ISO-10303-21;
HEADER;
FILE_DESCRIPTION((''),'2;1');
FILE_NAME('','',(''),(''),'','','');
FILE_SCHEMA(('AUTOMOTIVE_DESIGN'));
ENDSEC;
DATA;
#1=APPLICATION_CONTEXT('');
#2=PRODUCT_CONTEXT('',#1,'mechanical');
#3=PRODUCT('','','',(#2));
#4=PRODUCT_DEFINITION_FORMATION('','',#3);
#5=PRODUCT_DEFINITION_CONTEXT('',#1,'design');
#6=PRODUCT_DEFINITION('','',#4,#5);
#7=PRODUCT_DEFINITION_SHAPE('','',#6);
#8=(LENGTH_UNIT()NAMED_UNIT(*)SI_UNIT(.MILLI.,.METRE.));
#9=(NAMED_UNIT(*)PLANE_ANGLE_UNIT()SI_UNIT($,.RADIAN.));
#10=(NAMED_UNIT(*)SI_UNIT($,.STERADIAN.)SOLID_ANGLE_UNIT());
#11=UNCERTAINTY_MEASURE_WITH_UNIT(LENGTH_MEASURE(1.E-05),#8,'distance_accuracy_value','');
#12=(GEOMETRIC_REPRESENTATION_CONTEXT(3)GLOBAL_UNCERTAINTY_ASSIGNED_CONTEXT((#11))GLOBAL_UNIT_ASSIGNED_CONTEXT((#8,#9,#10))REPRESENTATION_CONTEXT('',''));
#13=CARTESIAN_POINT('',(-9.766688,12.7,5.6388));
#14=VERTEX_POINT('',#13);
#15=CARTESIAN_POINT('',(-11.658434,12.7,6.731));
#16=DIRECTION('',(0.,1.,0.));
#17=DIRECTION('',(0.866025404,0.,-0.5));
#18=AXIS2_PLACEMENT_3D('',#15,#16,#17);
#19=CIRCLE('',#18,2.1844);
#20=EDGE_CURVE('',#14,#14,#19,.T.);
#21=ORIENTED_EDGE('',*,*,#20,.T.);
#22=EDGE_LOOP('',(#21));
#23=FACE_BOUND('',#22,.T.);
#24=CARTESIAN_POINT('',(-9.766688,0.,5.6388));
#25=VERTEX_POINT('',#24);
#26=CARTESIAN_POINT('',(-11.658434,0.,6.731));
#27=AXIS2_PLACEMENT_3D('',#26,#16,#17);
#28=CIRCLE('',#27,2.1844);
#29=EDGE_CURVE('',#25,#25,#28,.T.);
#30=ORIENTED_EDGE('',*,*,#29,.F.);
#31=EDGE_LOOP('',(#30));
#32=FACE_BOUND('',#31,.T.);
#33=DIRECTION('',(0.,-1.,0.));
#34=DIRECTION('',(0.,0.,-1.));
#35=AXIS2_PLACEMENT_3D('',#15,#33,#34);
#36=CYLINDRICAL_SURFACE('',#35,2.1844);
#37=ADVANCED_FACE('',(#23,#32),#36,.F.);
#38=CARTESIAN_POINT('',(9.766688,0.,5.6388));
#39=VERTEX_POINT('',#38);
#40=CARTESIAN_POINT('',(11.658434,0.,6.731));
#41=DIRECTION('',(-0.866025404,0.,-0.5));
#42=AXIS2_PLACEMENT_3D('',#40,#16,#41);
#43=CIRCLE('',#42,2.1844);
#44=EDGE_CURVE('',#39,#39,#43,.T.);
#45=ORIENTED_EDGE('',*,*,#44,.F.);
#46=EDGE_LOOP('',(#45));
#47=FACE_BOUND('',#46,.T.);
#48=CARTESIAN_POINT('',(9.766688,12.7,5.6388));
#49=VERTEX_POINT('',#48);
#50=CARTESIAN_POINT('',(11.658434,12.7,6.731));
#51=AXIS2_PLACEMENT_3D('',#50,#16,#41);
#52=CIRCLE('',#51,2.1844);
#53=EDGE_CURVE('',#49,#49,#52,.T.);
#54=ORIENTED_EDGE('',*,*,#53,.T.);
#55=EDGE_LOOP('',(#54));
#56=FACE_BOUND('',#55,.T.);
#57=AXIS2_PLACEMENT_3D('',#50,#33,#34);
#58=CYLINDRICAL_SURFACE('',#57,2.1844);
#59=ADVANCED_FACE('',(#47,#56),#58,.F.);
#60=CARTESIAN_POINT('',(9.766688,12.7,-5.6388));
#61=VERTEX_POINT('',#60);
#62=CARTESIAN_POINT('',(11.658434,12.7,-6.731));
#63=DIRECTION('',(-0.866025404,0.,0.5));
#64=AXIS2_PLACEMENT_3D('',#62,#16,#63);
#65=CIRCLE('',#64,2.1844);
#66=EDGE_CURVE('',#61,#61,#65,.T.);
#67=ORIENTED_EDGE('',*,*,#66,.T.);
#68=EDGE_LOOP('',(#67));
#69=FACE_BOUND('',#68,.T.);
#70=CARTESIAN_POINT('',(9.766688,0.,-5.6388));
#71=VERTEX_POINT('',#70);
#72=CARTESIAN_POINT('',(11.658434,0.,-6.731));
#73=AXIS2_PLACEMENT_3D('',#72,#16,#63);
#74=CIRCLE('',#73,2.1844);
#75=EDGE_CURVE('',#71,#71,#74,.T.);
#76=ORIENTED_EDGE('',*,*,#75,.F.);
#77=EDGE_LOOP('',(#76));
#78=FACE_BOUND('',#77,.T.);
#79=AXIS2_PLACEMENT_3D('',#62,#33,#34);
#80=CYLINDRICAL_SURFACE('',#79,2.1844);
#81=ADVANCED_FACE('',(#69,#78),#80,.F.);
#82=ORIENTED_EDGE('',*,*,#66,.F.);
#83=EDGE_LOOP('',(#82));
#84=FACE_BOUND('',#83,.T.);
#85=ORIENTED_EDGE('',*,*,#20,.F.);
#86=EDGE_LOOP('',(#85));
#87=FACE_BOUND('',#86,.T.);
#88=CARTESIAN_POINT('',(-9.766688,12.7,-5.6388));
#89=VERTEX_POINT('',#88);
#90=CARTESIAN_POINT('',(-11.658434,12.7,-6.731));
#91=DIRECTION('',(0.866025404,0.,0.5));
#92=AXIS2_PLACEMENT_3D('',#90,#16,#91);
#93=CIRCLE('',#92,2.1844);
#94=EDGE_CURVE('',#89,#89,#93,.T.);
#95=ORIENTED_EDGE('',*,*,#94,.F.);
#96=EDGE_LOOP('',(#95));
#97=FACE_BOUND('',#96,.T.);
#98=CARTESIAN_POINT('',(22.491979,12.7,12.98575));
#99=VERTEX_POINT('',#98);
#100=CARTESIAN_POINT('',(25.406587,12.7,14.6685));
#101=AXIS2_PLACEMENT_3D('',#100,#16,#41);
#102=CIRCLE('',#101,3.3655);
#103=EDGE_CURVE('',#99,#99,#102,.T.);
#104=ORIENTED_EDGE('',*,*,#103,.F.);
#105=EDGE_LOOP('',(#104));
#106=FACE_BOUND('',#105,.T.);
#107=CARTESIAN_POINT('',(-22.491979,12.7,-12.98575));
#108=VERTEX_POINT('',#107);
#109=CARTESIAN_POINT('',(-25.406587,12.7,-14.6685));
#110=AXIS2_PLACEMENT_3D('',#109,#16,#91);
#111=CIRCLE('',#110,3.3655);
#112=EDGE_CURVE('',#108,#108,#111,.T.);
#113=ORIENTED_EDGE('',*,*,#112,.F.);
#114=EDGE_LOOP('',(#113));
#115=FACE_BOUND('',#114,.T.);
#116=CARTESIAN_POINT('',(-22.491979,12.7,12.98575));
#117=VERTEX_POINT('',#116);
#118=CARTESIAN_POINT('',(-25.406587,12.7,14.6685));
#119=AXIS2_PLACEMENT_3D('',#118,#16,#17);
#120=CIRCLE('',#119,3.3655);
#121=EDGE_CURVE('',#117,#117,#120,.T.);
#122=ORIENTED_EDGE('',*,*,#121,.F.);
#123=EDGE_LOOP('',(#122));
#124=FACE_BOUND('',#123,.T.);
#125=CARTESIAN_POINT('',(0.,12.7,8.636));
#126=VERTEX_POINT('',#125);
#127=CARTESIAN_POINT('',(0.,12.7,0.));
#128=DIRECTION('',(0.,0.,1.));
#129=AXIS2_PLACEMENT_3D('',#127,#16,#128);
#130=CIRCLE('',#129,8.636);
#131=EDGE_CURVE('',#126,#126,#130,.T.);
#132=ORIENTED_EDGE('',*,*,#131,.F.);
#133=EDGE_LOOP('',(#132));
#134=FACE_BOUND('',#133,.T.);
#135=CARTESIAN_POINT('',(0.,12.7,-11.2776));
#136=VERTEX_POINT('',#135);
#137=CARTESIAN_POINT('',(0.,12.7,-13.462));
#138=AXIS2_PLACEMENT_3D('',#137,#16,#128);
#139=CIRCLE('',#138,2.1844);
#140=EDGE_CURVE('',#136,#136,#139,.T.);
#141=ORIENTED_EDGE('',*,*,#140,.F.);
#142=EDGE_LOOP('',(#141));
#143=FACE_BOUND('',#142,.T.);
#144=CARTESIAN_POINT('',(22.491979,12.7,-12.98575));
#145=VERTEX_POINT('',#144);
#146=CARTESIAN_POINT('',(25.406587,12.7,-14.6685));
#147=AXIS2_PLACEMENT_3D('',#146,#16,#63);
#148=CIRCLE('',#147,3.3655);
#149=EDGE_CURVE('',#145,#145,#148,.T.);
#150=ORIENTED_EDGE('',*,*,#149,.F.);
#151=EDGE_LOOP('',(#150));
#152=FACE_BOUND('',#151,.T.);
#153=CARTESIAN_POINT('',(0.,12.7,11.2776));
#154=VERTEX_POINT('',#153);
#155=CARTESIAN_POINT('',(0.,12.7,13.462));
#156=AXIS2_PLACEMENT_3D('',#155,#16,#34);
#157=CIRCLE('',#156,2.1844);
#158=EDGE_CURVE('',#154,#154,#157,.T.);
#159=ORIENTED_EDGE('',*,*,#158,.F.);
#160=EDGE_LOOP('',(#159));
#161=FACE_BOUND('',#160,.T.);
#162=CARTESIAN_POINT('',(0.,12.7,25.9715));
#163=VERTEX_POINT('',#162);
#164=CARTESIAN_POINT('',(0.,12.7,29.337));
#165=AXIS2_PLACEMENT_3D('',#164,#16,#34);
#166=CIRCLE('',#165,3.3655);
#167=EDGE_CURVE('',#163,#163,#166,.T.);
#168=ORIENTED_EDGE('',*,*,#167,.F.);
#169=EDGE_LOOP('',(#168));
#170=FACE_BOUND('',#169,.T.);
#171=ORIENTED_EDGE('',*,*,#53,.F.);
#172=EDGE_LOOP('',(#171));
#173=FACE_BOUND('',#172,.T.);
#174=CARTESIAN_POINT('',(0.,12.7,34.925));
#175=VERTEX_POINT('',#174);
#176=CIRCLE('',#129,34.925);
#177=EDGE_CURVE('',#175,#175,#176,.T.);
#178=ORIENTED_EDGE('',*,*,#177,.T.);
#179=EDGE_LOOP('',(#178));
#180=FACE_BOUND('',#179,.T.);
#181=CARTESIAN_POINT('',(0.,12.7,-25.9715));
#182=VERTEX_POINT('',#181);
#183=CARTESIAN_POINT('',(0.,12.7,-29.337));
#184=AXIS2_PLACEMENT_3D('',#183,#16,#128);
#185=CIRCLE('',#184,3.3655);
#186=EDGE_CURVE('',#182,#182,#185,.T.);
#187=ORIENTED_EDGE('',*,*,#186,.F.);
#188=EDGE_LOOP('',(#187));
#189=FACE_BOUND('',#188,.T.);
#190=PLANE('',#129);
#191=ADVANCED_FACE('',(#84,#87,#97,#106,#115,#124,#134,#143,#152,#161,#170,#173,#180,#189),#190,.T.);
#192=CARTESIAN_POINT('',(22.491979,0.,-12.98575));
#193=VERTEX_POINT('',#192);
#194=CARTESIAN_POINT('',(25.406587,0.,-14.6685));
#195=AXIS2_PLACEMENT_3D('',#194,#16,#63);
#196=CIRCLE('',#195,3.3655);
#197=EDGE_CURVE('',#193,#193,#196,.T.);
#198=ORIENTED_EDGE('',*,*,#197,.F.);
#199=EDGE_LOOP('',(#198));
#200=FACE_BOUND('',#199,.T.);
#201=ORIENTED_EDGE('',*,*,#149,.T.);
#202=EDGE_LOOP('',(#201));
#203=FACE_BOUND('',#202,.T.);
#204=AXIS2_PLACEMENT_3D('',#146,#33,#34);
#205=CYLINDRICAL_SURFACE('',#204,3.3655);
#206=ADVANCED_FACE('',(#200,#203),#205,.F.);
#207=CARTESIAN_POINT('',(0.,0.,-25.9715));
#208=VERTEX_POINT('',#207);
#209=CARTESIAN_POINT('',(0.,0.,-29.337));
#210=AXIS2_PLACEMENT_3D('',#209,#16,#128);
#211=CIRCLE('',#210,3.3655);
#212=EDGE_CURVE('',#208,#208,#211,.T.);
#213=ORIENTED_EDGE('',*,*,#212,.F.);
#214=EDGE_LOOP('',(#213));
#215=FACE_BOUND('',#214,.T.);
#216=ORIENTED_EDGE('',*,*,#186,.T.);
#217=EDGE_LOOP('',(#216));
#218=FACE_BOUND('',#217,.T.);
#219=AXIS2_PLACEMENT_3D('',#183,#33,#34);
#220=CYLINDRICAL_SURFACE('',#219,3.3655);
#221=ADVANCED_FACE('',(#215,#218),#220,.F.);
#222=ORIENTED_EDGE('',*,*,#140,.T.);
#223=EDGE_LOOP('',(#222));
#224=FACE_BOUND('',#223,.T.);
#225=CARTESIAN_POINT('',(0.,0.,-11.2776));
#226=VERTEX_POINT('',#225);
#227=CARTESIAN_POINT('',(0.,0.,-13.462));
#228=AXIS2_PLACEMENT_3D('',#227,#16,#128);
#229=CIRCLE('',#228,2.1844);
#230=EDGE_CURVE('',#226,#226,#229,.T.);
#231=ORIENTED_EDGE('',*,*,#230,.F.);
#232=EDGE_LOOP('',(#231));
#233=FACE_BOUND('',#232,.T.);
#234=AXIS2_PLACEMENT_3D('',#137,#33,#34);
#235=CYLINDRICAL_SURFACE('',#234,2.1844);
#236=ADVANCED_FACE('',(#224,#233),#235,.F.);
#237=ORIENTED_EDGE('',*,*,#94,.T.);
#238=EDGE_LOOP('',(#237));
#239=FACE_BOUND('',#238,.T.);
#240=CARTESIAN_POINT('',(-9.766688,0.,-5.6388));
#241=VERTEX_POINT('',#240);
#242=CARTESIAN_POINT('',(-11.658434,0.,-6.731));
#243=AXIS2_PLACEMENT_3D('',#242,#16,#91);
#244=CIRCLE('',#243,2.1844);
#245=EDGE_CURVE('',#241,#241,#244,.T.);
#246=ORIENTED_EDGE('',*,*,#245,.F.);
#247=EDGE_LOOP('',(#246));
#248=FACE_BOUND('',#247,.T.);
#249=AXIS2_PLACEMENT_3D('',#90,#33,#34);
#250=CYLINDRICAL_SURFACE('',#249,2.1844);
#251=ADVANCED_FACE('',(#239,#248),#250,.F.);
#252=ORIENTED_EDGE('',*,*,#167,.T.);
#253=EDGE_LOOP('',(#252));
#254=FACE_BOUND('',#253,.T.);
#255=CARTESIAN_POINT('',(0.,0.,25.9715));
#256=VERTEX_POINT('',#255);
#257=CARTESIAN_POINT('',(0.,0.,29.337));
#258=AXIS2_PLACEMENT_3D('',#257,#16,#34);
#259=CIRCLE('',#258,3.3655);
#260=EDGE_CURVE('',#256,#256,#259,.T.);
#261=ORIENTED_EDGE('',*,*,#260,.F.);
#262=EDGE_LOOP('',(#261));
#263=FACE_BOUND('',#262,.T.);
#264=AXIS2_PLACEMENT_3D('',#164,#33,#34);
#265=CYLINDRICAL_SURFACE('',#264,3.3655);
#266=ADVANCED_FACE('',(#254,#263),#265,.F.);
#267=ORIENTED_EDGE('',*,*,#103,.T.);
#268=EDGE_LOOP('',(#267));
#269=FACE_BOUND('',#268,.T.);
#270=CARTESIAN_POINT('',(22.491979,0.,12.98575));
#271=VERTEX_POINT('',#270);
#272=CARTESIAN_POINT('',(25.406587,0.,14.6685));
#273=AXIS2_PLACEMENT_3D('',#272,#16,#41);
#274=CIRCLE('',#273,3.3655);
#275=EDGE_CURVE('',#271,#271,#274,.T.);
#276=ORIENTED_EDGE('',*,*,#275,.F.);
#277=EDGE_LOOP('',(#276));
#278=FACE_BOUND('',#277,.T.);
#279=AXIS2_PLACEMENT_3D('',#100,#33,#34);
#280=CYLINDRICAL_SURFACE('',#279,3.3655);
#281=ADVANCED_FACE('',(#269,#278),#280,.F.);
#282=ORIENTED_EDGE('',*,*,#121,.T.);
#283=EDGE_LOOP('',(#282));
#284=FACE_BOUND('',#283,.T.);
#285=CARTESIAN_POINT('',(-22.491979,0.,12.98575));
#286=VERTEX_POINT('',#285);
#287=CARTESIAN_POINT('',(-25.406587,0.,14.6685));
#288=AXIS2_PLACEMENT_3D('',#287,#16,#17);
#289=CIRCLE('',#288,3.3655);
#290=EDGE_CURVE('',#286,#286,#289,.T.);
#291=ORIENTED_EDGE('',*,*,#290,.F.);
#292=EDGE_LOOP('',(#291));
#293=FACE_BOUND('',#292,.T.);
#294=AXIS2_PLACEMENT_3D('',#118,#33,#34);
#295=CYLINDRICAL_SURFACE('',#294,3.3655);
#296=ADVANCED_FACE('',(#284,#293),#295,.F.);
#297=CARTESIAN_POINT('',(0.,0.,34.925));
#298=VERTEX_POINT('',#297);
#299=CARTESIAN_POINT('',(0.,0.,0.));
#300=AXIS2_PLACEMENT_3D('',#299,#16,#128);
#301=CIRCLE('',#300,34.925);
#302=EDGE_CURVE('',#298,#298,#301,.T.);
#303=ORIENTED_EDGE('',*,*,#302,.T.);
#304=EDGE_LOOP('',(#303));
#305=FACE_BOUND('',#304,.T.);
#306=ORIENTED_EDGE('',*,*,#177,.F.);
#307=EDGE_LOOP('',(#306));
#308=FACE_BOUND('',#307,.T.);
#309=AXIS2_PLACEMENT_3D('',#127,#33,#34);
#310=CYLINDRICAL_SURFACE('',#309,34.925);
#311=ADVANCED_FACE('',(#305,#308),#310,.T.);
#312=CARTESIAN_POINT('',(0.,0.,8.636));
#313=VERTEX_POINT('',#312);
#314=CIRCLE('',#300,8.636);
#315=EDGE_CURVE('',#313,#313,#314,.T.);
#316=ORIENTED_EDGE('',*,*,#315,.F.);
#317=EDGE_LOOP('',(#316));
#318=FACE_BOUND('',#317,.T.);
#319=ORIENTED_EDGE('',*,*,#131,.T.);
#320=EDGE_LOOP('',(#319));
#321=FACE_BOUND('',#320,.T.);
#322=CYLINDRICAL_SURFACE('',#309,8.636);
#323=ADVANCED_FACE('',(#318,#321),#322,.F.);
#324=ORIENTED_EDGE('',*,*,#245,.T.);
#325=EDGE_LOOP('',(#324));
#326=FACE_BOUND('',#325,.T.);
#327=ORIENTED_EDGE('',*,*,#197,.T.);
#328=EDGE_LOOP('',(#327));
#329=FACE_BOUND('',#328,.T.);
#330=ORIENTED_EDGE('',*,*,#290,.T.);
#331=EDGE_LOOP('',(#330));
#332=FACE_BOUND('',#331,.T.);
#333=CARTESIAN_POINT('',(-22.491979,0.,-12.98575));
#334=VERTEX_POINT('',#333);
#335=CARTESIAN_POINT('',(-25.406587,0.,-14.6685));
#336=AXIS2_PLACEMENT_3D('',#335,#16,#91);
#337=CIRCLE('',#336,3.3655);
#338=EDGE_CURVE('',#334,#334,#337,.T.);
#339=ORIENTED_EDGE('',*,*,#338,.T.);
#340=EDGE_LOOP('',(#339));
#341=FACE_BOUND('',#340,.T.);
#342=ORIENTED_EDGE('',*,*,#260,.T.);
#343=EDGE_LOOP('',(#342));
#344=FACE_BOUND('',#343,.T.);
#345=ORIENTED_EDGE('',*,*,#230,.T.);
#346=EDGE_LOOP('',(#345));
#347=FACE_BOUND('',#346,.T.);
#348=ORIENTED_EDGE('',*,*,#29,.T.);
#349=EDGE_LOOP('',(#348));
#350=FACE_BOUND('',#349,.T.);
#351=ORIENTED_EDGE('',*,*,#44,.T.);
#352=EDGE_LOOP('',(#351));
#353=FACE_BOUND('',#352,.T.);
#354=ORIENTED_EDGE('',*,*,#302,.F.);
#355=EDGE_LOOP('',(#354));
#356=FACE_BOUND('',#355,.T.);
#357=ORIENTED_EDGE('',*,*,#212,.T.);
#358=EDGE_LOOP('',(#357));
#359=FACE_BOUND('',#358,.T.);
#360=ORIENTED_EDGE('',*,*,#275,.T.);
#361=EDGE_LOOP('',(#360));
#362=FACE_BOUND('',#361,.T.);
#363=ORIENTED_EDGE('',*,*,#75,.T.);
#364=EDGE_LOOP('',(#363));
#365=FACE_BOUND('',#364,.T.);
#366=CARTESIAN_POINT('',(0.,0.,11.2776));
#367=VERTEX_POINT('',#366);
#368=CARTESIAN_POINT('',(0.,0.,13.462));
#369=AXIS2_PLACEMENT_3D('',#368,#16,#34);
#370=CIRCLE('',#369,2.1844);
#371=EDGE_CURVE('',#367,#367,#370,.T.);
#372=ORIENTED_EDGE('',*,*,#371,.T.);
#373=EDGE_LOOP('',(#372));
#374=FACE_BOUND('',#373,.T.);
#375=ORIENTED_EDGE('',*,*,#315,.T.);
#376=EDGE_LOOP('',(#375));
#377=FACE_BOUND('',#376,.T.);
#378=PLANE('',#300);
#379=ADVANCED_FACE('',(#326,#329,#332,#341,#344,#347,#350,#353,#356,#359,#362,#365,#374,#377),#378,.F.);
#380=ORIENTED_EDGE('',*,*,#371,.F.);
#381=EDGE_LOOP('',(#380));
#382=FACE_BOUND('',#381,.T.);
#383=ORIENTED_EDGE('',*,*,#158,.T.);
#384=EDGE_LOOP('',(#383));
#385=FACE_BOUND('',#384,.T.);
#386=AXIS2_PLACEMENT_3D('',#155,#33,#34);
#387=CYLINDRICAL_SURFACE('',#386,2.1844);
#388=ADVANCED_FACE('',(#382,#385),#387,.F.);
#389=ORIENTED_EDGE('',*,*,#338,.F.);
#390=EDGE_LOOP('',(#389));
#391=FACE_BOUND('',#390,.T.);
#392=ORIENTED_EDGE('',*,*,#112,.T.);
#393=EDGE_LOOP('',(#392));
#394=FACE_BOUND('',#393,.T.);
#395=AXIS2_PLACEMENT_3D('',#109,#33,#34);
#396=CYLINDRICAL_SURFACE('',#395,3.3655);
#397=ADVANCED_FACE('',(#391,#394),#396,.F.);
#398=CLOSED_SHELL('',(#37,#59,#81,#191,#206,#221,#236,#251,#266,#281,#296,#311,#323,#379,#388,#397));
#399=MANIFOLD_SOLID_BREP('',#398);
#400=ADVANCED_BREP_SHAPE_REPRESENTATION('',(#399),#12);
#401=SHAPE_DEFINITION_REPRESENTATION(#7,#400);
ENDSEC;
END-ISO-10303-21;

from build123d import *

# Parameters (mm, degrees)
SKETCH1_R          = 34.925
EXTRUDE1_DEPTH     = 12.7
SKETCH2_R          = 8.636
CUT_EXTRUDE1_DEPTH = 51.998051433
SKETCH3_R          = 3.3655
CUT_EXTRUDE2_DEPTH = 12.7
CIRPATTERN1_COUNT  = 6
SKETCH5_R          = 2.1844
CUT_EXTRUDE4_DEPTH = 51.998051433
CIRPATTERN2_COUNT  = 6


with BuildPart() as part:
    # Sketch1 → Extrude1 (new body)
    with BuildSketch(Plane(origin=(0, 0, 0), x_dir=(1, 0, 0), z_dir=(0, 1, 0))):
        Circle(SKETCH1_R)
    extrude(amount=EXTRUDE1_DEPTH)

    # Sketch2 → Cut-Extrude1 (cut, through all)
    with BuildSketch(Plane(origin=(0, 0, 0), x_dir=(1, 0, 0), z_dir=(0, 1, 0))):
        Circle(SKETCH2_R)
    extrude(amount=CUT_EXTRUDE1_DEPTH, mode=Mode.SUBTRACT)

    # Sketch3 → Cut-Extrude2 (cut)
    with BuildSketch(Plane(origin=(0, 0, 0), x_dir=(1, 0, 0), z_dir=(0, 1, 0))):
        with Locations((0, 29.337)):
            Circle(SKETCH3_R)
    cut_extrude2 = extrude(amount=CUT_EXTRUDE2_DEPTH, mode=Mode.SUBTRACT)

    # CirPattern1: Cut-Extrude2 ×6 about axis
    cirpattern1_axis = Axis((0, 35.858162691, 0), (0, -1, 0))
    for i in range(1, CIRPATTERN1_COUNT):
        add(cut_extrude2.rotate(cirpattern1_axis, i * 360 / CIRPATTERN1_COUNT), mode=Mode.SUBTRACT)

    # Sketch5 → Cut-Extrude4 (cut, through all)
    with BuildSketch(Plane(origin=(0, 0, 0), x_dir=(1, 0, 0), z_dir=(0, 1, 0))):
        with Locations((0, 13.462)):
            Circle(SKETCH5_R)
    cut_extrude4 = extrude(amount=CUT_EXTRUDE4_DEPTH, mode=Mode.SUBTRACT)

    # CirPattern2: Cut-Extrude4 ×6 about axis
    cirpattern2_axis = Axis((0, 35.858162691, 0), (0, -1, 0))
    for i in range(1, CIRPATTERN2_COUNT):
        add(cut_extrude4.rotate(cirpattern2_axis, i * 360 / CIRPATTERN2_COUNT), mode=Mode.SUBTRACT)


solid = part.part
